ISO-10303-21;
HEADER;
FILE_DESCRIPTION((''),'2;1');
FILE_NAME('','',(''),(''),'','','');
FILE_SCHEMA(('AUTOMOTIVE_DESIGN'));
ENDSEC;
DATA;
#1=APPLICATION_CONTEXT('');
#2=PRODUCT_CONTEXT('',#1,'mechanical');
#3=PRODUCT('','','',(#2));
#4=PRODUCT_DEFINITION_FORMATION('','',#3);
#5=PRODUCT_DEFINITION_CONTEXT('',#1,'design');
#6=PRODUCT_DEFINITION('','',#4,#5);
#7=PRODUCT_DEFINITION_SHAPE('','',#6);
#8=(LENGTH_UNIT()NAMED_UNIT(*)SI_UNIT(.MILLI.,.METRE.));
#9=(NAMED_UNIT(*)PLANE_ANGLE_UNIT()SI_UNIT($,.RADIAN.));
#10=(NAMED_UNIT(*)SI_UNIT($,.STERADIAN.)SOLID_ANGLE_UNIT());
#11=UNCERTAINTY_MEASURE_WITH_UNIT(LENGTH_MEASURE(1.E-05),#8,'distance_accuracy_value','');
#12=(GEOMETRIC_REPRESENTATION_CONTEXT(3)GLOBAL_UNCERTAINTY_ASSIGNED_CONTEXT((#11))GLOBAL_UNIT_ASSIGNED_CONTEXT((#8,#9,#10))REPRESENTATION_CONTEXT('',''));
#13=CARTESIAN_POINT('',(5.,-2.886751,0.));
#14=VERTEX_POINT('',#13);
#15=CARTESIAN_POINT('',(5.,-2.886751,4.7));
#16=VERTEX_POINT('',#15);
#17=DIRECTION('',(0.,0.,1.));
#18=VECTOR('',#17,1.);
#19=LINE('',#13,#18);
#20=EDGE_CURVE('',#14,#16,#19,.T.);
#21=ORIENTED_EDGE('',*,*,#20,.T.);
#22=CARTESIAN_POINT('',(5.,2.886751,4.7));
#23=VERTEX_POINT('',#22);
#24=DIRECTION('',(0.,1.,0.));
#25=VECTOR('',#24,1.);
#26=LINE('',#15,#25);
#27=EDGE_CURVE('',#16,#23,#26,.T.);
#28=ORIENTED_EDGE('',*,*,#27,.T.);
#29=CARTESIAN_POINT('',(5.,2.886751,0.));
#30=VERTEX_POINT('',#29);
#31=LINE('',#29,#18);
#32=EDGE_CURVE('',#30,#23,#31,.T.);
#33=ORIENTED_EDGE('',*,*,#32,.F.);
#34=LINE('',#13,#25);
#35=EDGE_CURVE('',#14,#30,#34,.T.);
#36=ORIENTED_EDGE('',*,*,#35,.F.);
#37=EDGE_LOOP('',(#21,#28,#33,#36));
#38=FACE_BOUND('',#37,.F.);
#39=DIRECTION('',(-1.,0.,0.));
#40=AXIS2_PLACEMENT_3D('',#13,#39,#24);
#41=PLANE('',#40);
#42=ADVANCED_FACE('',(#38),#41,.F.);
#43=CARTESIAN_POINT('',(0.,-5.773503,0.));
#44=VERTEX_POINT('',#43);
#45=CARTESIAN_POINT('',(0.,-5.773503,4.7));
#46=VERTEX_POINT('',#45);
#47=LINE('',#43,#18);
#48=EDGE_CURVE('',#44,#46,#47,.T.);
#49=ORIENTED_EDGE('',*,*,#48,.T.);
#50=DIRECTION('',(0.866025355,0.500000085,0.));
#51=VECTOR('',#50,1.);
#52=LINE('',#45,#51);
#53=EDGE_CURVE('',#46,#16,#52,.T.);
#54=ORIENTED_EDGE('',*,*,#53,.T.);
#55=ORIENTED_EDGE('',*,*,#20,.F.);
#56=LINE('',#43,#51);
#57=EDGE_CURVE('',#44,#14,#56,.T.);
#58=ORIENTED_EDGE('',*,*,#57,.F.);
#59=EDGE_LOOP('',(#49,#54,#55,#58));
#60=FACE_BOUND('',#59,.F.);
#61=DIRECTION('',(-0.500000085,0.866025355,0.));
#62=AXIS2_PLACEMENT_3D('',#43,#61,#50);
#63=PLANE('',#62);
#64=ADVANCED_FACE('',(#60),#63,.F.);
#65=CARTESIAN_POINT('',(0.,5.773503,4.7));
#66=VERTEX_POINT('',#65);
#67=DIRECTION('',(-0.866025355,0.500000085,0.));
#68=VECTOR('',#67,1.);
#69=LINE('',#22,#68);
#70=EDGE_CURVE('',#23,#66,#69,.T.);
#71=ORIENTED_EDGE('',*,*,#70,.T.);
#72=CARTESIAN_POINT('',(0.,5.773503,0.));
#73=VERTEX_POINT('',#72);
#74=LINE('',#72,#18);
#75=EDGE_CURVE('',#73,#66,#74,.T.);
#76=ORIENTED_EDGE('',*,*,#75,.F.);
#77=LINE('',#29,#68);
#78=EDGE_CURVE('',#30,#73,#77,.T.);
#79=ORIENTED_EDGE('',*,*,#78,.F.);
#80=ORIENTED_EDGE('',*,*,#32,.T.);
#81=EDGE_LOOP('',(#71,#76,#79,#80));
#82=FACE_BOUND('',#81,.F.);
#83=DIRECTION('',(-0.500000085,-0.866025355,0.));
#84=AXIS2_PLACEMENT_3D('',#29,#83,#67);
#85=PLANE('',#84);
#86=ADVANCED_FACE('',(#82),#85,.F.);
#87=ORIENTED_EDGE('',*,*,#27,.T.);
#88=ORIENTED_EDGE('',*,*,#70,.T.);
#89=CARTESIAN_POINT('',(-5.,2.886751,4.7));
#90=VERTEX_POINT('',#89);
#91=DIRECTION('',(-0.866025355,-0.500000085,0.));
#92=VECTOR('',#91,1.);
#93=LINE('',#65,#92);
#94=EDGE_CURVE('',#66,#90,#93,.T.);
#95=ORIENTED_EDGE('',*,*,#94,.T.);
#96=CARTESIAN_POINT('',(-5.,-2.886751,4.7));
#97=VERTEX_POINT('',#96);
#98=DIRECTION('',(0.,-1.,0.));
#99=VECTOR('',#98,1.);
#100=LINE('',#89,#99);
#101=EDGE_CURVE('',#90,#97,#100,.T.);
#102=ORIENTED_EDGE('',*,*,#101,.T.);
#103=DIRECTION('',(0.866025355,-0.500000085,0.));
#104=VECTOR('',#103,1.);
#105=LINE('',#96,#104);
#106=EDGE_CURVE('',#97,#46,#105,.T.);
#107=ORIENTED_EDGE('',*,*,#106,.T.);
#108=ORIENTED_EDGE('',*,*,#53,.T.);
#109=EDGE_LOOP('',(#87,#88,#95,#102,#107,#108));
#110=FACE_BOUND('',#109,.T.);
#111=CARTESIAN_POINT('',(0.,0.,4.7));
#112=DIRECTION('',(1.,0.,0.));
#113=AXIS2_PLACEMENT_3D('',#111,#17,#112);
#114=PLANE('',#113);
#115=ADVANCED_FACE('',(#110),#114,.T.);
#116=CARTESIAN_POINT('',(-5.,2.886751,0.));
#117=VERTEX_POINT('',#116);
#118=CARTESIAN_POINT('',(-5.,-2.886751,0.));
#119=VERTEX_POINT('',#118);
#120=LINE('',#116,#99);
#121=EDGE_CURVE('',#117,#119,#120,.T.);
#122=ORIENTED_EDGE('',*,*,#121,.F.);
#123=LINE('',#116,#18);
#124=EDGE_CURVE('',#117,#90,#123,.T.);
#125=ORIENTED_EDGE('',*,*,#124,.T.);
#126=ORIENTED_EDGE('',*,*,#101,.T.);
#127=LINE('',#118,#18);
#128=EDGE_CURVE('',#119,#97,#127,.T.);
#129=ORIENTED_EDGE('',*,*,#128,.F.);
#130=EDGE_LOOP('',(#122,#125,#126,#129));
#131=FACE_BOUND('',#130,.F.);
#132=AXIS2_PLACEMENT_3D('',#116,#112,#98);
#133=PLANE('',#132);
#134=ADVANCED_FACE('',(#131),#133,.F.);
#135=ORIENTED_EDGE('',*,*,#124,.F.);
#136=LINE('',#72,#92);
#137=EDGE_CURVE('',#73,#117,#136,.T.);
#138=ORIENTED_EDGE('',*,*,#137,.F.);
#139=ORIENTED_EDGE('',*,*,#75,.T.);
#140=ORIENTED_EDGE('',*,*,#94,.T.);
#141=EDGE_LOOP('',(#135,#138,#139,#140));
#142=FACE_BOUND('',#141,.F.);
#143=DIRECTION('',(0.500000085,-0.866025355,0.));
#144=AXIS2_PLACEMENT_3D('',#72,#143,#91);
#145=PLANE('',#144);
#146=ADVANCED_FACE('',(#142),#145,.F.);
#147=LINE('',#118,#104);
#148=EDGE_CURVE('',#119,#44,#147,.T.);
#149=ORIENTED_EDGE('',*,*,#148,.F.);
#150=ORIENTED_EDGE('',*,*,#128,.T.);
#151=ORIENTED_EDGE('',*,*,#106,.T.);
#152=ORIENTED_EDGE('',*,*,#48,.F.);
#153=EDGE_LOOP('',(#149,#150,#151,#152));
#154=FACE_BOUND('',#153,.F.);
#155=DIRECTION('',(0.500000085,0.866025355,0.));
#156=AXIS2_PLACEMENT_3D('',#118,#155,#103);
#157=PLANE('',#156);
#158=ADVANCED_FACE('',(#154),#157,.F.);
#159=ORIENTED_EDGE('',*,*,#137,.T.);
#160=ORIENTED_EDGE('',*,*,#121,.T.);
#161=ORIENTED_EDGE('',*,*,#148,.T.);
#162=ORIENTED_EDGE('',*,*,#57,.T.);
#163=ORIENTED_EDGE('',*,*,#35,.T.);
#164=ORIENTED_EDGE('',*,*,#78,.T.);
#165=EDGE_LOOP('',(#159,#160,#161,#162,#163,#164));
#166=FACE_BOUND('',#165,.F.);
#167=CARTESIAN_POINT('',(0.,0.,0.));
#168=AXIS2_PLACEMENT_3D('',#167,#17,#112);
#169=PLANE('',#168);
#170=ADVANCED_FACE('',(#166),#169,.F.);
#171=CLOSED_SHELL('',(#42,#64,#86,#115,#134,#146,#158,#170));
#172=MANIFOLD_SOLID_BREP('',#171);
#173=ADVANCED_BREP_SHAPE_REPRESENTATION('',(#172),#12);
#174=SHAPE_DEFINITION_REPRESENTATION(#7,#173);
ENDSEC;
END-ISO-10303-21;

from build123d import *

# Parameters (mm, degrees)
PAD_DEPTH = 4.7


with BuildPart() as part:
    # Sketch → Pad (new body)
    with BuildSketch(Plane.XY):
        Polygon((5, 2.886751), (0, 5.773503), (-5, 2.886751), (-5, -2.886751), (0, -5.773503), (5, -2.886751), align=None)
    extrude(amount=PAD_DEPTH)


solid = part.part
